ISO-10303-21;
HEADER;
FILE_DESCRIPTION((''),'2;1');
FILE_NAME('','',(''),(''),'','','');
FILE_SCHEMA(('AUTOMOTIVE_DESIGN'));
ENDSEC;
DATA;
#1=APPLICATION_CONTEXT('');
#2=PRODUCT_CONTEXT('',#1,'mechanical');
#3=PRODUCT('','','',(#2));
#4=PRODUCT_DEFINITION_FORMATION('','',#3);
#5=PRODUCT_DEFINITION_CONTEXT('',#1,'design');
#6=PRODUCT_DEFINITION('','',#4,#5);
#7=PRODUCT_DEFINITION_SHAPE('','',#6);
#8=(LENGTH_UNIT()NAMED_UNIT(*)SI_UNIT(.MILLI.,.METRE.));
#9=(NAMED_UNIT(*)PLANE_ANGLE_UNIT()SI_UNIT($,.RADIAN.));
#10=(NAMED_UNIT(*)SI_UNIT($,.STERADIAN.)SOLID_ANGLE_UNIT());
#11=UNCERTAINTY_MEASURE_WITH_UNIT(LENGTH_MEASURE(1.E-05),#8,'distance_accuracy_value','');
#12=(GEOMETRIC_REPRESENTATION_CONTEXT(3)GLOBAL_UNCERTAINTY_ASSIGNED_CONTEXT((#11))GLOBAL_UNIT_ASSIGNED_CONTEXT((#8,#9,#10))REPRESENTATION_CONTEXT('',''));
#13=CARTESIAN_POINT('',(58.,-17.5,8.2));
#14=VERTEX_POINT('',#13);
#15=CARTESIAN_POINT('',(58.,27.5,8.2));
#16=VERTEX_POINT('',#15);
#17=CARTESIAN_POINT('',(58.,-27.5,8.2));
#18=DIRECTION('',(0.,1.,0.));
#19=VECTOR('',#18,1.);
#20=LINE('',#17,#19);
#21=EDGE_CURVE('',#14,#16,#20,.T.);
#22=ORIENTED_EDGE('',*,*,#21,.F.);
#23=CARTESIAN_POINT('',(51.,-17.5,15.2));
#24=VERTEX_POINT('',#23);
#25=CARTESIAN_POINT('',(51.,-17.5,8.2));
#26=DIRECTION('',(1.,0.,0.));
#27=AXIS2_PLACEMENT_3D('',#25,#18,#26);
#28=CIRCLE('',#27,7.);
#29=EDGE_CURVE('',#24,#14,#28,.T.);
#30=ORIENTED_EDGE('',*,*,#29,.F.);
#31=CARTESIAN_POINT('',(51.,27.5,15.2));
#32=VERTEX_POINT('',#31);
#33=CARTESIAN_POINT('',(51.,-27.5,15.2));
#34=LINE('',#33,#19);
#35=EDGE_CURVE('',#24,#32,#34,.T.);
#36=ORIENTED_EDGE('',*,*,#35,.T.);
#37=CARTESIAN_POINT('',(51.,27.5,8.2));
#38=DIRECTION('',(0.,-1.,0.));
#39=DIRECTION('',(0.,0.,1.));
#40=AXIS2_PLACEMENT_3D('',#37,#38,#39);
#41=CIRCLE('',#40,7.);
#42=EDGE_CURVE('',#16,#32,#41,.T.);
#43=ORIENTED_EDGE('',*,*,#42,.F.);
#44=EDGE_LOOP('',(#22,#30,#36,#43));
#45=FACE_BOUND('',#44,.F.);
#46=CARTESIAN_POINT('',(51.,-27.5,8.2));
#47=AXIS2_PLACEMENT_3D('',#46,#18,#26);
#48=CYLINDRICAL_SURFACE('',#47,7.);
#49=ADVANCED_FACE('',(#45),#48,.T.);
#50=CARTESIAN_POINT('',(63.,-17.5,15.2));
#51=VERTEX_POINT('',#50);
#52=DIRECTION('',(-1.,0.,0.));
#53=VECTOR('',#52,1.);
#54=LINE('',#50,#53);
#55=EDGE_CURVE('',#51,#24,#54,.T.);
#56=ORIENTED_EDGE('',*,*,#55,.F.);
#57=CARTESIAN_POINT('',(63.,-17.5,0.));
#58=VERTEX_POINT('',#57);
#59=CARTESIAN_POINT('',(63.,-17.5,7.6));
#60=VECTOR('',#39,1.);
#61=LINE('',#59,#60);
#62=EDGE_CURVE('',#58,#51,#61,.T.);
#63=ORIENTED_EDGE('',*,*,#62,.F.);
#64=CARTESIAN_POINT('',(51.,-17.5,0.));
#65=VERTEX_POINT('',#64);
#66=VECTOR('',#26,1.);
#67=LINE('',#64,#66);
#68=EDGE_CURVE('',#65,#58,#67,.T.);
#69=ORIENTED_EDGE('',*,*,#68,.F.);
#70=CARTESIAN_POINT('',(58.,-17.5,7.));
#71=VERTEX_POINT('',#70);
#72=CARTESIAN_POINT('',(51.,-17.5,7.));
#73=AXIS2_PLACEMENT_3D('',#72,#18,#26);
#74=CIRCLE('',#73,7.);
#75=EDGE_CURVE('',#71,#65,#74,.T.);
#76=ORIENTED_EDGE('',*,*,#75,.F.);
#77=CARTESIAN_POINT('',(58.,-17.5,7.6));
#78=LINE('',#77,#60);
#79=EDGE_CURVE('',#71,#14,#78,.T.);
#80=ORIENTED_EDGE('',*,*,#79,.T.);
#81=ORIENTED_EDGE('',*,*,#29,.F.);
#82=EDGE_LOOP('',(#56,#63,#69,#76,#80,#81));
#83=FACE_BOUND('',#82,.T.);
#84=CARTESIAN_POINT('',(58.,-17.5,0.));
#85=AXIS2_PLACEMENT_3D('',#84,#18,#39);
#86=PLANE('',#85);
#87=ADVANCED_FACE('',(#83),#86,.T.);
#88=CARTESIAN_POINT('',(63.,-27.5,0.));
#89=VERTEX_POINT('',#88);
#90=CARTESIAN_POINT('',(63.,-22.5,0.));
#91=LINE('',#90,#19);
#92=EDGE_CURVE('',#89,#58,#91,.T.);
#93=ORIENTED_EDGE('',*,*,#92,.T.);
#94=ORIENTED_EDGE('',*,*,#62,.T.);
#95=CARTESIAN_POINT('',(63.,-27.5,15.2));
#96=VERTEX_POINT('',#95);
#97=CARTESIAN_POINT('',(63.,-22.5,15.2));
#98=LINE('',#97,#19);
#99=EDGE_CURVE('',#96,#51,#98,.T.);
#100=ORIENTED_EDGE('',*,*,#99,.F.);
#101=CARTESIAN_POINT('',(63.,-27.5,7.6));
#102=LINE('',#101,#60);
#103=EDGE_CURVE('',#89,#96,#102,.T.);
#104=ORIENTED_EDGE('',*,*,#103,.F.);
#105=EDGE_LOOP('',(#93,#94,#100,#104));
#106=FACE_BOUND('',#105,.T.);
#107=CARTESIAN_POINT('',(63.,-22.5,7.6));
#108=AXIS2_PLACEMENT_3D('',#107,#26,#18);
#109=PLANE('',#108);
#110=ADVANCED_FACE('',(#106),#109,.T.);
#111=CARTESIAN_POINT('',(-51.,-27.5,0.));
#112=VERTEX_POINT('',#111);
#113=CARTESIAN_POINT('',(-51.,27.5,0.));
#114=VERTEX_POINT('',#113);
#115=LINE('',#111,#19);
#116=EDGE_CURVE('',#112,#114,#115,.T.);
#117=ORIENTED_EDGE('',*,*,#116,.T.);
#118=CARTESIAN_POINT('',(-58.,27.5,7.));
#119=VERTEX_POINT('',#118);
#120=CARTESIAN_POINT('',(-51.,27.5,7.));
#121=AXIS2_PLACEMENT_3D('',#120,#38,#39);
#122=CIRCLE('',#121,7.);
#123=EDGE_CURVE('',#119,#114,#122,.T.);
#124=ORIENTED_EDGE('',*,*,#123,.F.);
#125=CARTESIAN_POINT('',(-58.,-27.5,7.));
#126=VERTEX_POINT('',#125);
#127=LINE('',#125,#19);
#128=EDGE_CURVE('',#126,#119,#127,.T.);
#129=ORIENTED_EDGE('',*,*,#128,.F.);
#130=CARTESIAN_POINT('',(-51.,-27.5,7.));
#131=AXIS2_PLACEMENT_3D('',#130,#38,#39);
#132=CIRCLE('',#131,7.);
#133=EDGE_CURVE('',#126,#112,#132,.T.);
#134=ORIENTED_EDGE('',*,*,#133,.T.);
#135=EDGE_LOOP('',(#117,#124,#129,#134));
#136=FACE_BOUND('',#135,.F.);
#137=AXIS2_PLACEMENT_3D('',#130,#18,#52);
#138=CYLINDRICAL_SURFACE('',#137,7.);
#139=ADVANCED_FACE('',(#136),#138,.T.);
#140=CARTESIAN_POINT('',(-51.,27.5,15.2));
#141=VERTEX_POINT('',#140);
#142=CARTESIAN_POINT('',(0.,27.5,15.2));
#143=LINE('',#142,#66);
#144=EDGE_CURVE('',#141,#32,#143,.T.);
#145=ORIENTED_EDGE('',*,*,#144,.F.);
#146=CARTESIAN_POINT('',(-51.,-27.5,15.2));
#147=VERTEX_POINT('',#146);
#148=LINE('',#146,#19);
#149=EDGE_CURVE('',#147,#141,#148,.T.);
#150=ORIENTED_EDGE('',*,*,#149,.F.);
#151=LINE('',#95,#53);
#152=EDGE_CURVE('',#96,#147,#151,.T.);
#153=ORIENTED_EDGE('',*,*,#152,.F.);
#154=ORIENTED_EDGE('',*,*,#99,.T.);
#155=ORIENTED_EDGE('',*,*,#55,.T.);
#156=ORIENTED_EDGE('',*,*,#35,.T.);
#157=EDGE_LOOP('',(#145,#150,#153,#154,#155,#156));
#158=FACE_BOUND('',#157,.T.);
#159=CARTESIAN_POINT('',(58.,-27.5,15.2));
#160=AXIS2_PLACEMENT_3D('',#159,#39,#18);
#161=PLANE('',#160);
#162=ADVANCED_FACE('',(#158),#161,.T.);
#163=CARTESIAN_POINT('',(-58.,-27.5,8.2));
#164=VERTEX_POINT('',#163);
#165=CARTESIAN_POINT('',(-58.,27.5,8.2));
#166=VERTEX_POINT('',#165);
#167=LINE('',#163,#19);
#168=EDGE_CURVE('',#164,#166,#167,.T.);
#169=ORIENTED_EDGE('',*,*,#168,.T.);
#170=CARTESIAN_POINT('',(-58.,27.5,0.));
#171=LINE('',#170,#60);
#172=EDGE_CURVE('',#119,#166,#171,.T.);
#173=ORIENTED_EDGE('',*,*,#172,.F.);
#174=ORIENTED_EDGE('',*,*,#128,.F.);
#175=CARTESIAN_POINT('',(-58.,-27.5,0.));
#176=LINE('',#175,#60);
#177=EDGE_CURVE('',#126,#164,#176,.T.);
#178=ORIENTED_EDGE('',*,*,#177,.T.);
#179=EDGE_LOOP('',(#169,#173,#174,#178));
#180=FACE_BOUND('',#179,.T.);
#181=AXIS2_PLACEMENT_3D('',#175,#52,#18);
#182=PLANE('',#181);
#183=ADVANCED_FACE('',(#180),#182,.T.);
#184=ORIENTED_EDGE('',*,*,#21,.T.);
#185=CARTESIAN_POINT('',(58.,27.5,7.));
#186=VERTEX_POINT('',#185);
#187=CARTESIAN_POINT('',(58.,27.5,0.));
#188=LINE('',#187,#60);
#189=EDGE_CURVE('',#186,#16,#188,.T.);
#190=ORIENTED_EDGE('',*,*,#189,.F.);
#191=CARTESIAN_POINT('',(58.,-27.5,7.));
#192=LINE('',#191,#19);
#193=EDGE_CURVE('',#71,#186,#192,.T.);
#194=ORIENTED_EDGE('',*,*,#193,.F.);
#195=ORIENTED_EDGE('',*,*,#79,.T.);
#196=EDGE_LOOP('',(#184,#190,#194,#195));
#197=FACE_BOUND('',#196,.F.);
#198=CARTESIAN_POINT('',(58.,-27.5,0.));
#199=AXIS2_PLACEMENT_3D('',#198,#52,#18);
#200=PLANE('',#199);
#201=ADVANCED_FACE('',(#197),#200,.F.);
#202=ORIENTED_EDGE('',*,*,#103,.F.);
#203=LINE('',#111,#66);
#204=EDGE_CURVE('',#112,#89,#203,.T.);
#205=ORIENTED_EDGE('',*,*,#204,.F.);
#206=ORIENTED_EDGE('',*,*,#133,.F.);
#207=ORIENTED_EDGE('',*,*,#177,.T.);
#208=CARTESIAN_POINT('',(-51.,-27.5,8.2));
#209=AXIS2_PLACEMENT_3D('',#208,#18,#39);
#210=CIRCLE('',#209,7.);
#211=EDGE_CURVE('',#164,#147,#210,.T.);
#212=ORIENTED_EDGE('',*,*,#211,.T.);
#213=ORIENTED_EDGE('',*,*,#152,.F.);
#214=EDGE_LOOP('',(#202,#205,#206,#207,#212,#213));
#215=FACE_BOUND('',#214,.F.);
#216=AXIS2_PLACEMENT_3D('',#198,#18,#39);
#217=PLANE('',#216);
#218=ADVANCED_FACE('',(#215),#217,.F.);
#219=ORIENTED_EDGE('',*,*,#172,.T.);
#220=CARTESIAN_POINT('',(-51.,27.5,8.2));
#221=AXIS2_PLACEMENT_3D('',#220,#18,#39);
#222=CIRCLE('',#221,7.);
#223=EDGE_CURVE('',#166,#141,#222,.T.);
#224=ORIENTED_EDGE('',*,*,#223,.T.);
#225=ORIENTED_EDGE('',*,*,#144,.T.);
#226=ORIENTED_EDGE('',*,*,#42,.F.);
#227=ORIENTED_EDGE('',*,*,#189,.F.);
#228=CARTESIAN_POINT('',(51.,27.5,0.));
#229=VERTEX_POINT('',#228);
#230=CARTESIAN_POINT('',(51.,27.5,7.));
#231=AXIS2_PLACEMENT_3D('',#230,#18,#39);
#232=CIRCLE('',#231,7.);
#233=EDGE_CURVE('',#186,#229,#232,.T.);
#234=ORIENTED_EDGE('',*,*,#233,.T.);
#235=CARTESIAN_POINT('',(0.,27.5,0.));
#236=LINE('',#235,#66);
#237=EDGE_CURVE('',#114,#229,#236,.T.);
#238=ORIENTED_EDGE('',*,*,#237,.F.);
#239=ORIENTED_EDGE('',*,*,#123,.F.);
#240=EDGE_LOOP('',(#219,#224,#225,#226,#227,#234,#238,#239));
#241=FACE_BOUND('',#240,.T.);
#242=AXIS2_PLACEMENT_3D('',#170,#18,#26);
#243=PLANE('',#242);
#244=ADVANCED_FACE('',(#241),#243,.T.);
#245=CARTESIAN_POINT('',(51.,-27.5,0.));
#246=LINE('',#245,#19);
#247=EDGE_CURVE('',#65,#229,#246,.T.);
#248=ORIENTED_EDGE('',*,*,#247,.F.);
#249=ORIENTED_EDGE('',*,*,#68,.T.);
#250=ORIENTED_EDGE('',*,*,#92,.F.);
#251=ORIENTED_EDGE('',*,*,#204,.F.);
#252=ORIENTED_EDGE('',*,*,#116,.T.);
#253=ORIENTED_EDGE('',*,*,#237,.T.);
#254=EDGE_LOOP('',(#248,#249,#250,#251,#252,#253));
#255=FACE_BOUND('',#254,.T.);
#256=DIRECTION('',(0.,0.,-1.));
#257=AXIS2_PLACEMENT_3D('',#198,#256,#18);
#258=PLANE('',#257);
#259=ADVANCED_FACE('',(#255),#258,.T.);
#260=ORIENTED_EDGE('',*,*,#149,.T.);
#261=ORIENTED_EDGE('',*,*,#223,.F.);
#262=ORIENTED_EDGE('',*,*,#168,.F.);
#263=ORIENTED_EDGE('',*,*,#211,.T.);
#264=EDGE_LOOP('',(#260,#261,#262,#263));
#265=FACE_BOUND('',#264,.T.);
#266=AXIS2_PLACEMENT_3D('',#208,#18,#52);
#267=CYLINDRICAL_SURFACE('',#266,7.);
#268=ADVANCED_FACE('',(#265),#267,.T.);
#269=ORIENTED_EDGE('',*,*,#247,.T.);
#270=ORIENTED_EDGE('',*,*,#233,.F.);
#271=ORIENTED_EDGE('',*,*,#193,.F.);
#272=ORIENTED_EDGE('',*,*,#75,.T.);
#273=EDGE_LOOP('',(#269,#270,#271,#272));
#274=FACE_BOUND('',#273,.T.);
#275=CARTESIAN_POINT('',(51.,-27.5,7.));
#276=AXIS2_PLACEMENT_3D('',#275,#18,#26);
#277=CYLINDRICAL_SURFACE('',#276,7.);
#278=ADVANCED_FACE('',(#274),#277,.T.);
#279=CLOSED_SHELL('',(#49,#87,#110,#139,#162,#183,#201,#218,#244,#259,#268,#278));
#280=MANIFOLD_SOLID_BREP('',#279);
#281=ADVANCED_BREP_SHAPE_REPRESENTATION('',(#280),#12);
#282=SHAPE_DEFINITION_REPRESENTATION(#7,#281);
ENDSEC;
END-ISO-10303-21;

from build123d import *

# Parameters (mm, degrees)
F0_W          = 116
F0_H          = 55
F1_DEPTH      = 15.2
F2_R          = 7
F3_W          = 10
F3_H          = 15.2
F4_DEPTH      = 5
F4_DEPTH_BACK = 10


with BuildPart() as f1:
    # F0 (on Top) → F1 (new body)
    with BuildSketch(Plane.XY):
        Rectangle(F0_W, F0_H)
    extrude(amount=F1_DEPTH)

    # F2
    f2_edges = [f1.edges().sort_by_distance(p)[0] for p in [
        (58, 0, 15.2),
        (58, 0, 0),
        (-58, 0, 15.2),
        (-58, 0, 0),
    ]]
    fillet(f2_edges, radius=F2_R)

    # F3 (on face) → F4 (join, two sides)
    with BuildSketch(Plane.YZ.offset(58)) as f4_sk:
        with Locations((-22.5, 7.6)):
            Rectangle(F3_W, F3_H)
    extrude(amount=F4_DEPTH)
    extrude(f4_sk.sketch, amount=-F4_DEPTH_BACK)


solid = f1.part
